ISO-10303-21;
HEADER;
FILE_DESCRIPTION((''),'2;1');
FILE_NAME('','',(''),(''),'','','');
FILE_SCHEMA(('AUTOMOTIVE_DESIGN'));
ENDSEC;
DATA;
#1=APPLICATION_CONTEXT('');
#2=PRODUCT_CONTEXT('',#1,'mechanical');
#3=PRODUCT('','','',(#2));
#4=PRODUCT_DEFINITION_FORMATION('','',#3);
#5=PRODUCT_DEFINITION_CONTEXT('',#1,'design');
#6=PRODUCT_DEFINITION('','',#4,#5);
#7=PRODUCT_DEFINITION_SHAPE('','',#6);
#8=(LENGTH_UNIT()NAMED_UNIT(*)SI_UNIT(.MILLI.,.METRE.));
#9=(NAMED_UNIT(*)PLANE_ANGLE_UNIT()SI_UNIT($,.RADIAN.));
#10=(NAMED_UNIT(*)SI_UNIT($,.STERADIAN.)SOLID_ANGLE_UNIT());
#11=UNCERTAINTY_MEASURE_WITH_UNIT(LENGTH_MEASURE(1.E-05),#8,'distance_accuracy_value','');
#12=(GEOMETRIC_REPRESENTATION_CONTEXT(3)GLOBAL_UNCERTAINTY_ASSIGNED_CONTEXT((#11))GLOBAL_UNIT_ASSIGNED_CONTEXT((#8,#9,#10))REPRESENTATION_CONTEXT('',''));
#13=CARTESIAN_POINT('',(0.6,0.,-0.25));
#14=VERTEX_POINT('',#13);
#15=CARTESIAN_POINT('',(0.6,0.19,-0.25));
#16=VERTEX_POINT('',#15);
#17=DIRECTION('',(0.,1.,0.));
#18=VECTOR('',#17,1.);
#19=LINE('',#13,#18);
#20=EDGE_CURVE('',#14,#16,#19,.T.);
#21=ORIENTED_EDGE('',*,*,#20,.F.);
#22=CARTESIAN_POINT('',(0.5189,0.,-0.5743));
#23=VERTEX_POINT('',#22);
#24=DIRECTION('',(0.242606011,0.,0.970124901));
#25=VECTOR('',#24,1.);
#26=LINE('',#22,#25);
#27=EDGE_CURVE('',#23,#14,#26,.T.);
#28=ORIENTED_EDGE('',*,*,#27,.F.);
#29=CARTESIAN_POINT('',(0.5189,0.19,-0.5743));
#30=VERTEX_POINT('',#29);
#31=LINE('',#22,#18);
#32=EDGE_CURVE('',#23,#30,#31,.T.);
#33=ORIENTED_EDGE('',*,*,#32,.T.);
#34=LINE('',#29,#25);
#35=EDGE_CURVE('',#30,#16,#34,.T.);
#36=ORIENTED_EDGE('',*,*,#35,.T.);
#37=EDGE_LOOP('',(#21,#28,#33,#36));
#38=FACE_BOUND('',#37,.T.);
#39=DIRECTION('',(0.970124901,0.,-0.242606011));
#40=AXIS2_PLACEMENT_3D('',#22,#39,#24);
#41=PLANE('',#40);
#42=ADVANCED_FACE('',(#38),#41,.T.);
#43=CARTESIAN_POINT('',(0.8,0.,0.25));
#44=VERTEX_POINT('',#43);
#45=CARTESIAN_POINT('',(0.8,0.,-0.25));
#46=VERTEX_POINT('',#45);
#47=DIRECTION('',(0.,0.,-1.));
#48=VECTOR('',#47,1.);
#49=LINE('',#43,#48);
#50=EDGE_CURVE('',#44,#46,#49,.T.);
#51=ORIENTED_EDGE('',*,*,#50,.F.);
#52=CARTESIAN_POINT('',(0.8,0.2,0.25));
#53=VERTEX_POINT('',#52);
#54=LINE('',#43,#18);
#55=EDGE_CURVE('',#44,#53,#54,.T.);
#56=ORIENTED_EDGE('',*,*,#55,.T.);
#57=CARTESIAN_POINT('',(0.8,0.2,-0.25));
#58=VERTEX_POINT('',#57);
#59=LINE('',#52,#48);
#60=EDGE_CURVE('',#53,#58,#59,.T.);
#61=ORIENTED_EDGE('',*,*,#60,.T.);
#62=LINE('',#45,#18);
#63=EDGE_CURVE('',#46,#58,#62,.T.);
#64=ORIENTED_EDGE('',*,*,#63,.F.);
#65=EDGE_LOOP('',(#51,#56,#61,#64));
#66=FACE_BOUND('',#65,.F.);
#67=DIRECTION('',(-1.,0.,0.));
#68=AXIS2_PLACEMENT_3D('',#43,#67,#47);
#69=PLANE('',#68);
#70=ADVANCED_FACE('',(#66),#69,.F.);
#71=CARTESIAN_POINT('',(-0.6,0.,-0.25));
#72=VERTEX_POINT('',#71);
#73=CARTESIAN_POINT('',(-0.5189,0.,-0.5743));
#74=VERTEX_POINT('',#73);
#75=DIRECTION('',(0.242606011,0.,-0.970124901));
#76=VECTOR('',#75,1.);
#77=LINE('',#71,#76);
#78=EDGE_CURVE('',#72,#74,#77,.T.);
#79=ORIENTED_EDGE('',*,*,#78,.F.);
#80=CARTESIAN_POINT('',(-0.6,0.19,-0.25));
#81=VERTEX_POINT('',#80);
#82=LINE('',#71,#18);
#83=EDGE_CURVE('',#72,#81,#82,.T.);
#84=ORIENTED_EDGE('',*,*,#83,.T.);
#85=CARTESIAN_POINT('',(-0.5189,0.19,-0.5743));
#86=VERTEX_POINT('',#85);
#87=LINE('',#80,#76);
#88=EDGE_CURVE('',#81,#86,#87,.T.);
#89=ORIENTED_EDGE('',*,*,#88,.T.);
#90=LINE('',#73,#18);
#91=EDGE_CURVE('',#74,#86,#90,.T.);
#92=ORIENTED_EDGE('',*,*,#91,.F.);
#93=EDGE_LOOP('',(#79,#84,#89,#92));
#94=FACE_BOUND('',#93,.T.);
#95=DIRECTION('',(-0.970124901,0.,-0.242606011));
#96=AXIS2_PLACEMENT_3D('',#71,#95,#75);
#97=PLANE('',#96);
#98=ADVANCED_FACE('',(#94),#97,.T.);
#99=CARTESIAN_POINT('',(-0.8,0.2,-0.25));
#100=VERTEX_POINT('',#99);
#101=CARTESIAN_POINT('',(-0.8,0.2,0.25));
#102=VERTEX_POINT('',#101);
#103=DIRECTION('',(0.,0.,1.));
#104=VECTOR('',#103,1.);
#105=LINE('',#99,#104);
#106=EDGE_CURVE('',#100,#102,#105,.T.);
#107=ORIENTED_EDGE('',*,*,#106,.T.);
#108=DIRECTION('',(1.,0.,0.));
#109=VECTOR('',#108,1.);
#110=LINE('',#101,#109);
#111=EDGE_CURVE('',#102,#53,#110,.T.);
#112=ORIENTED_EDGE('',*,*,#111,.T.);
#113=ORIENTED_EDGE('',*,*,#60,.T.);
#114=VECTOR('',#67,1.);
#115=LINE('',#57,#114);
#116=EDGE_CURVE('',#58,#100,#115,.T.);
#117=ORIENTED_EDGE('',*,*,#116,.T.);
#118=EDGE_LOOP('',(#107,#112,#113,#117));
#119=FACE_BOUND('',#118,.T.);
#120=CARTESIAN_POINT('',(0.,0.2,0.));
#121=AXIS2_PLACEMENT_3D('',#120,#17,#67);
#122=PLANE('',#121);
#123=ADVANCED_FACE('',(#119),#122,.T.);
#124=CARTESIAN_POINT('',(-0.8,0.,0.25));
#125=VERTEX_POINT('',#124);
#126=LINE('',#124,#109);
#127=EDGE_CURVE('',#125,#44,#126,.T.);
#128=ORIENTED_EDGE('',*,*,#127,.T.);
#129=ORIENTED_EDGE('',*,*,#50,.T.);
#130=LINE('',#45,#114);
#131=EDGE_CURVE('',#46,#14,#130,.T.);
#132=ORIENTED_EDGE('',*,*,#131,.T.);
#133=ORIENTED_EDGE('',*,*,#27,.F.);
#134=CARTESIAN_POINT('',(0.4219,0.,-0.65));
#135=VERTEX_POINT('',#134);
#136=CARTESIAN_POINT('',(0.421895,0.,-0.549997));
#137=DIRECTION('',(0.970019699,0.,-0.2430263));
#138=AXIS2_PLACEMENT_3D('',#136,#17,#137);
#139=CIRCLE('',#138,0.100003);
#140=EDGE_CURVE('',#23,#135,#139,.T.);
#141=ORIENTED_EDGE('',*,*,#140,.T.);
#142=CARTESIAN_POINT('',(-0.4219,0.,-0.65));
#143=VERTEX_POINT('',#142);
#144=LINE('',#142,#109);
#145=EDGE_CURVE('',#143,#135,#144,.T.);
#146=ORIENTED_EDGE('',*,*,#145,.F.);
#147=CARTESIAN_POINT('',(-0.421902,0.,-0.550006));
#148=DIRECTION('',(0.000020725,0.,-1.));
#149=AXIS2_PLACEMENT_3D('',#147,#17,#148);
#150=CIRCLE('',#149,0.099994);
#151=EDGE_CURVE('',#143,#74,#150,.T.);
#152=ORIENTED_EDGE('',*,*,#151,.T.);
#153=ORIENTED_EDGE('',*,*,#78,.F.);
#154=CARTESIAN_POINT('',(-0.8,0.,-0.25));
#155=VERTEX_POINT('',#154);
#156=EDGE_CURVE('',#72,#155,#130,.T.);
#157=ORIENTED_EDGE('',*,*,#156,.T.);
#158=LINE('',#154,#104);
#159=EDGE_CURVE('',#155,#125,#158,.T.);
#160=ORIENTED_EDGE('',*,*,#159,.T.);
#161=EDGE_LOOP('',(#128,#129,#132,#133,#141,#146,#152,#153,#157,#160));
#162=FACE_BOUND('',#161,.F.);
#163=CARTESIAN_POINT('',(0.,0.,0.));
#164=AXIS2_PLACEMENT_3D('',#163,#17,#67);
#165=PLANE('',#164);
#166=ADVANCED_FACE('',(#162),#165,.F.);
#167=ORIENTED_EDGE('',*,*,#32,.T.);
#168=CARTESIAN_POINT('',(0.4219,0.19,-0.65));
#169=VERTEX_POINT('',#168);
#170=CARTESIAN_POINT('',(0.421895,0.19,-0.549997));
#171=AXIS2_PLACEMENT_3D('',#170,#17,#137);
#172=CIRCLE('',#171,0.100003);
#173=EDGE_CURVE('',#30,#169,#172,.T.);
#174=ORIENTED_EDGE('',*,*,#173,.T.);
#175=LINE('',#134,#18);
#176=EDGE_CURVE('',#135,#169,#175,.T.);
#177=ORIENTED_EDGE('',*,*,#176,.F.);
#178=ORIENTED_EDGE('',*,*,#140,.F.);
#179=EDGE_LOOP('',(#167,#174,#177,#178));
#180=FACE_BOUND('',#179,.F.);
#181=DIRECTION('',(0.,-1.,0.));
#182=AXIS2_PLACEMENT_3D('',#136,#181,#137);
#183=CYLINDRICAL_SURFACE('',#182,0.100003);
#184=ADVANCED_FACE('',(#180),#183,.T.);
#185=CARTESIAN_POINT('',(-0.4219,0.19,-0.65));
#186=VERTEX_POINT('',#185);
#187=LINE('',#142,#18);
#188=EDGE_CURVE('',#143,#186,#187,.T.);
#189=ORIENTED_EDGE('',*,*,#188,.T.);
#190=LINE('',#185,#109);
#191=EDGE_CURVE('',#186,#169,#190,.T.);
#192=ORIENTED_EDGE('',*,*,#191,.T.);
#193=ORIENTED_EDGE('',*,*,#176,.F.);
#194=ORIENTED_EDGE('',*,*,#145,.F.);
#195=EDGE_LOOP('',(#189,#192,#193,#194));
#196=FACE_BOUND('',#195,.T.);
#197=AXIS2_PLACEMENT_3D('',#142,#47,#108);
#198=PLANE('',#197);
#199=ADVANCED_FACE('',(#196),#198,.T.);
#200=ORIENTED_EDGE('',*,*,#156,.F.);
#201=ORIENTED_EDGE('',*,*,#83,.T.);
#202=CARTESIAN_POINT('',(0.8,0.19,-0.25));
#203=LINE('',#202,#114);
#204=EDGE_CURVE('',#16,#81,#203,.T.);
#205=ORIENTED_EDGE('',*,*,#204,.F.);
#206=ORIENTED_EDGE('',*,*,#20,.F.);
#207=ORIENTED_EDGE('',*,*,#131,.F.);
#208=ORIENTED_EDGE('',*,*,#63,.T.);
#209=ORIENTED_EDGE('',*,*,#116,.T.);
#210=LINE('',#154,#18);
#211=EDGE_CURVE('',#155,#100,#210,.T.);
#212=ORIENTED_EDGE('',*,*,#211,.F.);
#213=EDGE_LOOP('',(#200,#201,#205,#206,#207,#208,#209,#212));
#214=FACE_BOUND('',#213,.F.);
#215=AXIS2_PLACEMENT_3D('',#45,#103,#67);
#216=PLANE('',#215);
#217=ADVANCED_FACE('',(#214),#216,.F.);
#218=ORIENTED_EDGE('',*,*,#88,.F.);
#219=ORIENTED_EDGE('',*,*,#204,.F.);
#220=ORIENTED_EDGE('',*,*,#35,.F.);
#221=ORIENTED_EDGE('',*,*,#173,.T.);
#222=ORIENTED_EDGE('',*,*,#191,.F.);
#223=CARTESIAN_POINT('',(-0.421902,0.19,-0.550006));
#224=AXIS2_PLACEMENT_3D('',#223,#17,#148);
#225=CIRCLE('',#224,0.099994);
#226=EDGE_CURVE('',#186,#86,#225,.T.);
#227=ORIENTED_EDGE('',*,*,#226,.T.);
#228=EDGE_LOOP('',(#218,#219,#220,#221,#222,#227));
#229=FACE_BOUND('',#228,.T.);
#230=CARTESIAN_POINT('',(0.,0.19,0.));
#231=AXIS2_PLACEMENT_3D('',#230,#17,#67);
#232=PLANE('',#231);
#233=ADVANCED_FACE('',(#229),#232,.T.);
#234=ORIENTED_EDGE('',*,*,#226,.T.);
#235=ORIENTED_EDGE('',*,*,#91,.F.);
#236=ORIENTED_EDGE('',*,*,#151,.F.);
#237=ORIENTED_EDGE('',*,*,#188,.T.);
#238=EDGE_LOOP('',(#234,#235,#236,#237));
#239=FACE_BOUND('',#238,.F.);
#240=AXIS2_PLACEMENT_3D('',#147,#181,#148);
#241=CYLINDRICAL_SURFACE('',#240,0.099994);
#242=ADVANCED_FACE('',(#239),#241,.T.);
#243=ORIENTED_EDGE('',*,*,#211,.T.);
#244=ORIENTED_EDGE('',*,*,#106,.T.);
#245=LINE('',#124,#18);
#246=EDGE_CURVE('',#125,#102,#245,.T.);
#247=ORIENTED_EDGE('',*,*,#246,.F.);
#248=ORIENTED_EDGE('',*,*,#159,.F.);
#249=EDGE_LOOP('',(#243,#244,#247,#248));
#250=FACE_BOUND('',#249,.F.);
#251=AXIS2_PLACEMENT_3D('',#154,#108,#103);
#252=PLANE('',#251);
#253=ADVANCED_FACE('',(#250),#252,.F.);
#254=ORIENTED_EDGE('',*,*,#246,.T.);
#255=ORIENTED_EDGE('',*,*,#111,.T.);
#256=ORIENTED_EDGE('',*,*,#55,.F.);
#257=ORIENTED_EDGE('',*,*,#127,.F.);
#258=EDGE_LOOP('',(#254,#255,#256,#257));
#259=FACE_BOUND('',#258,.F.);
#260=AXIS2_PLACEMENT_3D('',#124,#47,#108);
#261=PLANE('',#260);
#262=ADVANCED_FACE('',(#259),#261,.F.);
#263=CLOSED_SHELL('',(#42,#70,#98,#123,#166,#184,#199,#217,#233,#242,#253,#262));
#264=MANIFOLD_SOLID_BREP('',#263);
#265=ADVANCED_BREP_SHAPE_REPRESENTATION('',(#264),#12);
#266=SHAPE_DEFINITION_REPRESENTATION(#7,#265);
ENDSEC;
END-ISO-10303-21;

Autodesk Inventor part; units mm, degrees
ref_plane "YZ Plane" through (0, 0, 0) normal (1, 0, 0) x (0, 1, 0)
ref_plane "XZ Plane" through (0, 0, 0) normal (0, 1, 0) x (-1, 0, 0)
ref_plane "XY Plane" through (0, 0, 0) normal (0, 0, 1) x (1, 0, 0)
sketch "Sketch1" plane through (0, 0, 0) normal (0, 1, 0) x (-1, 0, 0)
  line L0 (0.8, 0.25) -> (-0.8, 0.25)
  line L1 (-0.8, 0.25) -> (-0.8, -0.25)
  line L2 (-0.8, -0.25) -> (0.8, -0.25)
  line L3 (0.8, -0.25) -> (0.8, 0.25)
  line L4 (0.8, 0.25) -> (-0.8, -0.25) construction
  line L5 (-0.8, 0.25) -> (0.8, -0.25) construction
  point P0 (0, 0)
  dimension "d0" = 0.5
  dimension "d1" = 1.6
extrude "Extrusion1" add sketch "Sketch1" along normal blind 0.2
sketch "Sketch2" plane through (0, 0, 0) normal (0, 1, 0) x (-1, 0, 0)
  line L0 (-0.8, -0.25) -> (0.8, -0.25) projected
  line L1 (0.6, -0.25) -> (0.5189, -0.5743)
  line L2 (0.4219, -0.65) -> (-0.4219, -0.65)
  line L3 (-0.5189, -0.5743) -> (-0.6, -0.25)
  line L4 (0.8, 0.25) -> (-0.8, 0.25) projected
  line L5 (0.6, -0.25) -> (-0.6, -0.25)
  arc A0 (0.4219, -0.65) -> (0.5189, -0.5743) centre (0.4219, -0.55) ccw
  arc A1 (-0.5189, -0.5743) -> (-0.4219, -0.65) centre (-0.4219, -0.55) ccw
  point P0 (0, 0)
  point P1 (0.5, -0.65)
  point P2 (-0.5, -0.65)
  point P3 (0, -0.25)
  dimension "d4" = 0.9
  dimension "d6" = 1.2
  dimension "d7" = 1
  dimension "d8" = 0.1
extrude "Extrusion2" add sketch "Sketch2" along normal blind 0.19
properties part number "RightAngleLED"
